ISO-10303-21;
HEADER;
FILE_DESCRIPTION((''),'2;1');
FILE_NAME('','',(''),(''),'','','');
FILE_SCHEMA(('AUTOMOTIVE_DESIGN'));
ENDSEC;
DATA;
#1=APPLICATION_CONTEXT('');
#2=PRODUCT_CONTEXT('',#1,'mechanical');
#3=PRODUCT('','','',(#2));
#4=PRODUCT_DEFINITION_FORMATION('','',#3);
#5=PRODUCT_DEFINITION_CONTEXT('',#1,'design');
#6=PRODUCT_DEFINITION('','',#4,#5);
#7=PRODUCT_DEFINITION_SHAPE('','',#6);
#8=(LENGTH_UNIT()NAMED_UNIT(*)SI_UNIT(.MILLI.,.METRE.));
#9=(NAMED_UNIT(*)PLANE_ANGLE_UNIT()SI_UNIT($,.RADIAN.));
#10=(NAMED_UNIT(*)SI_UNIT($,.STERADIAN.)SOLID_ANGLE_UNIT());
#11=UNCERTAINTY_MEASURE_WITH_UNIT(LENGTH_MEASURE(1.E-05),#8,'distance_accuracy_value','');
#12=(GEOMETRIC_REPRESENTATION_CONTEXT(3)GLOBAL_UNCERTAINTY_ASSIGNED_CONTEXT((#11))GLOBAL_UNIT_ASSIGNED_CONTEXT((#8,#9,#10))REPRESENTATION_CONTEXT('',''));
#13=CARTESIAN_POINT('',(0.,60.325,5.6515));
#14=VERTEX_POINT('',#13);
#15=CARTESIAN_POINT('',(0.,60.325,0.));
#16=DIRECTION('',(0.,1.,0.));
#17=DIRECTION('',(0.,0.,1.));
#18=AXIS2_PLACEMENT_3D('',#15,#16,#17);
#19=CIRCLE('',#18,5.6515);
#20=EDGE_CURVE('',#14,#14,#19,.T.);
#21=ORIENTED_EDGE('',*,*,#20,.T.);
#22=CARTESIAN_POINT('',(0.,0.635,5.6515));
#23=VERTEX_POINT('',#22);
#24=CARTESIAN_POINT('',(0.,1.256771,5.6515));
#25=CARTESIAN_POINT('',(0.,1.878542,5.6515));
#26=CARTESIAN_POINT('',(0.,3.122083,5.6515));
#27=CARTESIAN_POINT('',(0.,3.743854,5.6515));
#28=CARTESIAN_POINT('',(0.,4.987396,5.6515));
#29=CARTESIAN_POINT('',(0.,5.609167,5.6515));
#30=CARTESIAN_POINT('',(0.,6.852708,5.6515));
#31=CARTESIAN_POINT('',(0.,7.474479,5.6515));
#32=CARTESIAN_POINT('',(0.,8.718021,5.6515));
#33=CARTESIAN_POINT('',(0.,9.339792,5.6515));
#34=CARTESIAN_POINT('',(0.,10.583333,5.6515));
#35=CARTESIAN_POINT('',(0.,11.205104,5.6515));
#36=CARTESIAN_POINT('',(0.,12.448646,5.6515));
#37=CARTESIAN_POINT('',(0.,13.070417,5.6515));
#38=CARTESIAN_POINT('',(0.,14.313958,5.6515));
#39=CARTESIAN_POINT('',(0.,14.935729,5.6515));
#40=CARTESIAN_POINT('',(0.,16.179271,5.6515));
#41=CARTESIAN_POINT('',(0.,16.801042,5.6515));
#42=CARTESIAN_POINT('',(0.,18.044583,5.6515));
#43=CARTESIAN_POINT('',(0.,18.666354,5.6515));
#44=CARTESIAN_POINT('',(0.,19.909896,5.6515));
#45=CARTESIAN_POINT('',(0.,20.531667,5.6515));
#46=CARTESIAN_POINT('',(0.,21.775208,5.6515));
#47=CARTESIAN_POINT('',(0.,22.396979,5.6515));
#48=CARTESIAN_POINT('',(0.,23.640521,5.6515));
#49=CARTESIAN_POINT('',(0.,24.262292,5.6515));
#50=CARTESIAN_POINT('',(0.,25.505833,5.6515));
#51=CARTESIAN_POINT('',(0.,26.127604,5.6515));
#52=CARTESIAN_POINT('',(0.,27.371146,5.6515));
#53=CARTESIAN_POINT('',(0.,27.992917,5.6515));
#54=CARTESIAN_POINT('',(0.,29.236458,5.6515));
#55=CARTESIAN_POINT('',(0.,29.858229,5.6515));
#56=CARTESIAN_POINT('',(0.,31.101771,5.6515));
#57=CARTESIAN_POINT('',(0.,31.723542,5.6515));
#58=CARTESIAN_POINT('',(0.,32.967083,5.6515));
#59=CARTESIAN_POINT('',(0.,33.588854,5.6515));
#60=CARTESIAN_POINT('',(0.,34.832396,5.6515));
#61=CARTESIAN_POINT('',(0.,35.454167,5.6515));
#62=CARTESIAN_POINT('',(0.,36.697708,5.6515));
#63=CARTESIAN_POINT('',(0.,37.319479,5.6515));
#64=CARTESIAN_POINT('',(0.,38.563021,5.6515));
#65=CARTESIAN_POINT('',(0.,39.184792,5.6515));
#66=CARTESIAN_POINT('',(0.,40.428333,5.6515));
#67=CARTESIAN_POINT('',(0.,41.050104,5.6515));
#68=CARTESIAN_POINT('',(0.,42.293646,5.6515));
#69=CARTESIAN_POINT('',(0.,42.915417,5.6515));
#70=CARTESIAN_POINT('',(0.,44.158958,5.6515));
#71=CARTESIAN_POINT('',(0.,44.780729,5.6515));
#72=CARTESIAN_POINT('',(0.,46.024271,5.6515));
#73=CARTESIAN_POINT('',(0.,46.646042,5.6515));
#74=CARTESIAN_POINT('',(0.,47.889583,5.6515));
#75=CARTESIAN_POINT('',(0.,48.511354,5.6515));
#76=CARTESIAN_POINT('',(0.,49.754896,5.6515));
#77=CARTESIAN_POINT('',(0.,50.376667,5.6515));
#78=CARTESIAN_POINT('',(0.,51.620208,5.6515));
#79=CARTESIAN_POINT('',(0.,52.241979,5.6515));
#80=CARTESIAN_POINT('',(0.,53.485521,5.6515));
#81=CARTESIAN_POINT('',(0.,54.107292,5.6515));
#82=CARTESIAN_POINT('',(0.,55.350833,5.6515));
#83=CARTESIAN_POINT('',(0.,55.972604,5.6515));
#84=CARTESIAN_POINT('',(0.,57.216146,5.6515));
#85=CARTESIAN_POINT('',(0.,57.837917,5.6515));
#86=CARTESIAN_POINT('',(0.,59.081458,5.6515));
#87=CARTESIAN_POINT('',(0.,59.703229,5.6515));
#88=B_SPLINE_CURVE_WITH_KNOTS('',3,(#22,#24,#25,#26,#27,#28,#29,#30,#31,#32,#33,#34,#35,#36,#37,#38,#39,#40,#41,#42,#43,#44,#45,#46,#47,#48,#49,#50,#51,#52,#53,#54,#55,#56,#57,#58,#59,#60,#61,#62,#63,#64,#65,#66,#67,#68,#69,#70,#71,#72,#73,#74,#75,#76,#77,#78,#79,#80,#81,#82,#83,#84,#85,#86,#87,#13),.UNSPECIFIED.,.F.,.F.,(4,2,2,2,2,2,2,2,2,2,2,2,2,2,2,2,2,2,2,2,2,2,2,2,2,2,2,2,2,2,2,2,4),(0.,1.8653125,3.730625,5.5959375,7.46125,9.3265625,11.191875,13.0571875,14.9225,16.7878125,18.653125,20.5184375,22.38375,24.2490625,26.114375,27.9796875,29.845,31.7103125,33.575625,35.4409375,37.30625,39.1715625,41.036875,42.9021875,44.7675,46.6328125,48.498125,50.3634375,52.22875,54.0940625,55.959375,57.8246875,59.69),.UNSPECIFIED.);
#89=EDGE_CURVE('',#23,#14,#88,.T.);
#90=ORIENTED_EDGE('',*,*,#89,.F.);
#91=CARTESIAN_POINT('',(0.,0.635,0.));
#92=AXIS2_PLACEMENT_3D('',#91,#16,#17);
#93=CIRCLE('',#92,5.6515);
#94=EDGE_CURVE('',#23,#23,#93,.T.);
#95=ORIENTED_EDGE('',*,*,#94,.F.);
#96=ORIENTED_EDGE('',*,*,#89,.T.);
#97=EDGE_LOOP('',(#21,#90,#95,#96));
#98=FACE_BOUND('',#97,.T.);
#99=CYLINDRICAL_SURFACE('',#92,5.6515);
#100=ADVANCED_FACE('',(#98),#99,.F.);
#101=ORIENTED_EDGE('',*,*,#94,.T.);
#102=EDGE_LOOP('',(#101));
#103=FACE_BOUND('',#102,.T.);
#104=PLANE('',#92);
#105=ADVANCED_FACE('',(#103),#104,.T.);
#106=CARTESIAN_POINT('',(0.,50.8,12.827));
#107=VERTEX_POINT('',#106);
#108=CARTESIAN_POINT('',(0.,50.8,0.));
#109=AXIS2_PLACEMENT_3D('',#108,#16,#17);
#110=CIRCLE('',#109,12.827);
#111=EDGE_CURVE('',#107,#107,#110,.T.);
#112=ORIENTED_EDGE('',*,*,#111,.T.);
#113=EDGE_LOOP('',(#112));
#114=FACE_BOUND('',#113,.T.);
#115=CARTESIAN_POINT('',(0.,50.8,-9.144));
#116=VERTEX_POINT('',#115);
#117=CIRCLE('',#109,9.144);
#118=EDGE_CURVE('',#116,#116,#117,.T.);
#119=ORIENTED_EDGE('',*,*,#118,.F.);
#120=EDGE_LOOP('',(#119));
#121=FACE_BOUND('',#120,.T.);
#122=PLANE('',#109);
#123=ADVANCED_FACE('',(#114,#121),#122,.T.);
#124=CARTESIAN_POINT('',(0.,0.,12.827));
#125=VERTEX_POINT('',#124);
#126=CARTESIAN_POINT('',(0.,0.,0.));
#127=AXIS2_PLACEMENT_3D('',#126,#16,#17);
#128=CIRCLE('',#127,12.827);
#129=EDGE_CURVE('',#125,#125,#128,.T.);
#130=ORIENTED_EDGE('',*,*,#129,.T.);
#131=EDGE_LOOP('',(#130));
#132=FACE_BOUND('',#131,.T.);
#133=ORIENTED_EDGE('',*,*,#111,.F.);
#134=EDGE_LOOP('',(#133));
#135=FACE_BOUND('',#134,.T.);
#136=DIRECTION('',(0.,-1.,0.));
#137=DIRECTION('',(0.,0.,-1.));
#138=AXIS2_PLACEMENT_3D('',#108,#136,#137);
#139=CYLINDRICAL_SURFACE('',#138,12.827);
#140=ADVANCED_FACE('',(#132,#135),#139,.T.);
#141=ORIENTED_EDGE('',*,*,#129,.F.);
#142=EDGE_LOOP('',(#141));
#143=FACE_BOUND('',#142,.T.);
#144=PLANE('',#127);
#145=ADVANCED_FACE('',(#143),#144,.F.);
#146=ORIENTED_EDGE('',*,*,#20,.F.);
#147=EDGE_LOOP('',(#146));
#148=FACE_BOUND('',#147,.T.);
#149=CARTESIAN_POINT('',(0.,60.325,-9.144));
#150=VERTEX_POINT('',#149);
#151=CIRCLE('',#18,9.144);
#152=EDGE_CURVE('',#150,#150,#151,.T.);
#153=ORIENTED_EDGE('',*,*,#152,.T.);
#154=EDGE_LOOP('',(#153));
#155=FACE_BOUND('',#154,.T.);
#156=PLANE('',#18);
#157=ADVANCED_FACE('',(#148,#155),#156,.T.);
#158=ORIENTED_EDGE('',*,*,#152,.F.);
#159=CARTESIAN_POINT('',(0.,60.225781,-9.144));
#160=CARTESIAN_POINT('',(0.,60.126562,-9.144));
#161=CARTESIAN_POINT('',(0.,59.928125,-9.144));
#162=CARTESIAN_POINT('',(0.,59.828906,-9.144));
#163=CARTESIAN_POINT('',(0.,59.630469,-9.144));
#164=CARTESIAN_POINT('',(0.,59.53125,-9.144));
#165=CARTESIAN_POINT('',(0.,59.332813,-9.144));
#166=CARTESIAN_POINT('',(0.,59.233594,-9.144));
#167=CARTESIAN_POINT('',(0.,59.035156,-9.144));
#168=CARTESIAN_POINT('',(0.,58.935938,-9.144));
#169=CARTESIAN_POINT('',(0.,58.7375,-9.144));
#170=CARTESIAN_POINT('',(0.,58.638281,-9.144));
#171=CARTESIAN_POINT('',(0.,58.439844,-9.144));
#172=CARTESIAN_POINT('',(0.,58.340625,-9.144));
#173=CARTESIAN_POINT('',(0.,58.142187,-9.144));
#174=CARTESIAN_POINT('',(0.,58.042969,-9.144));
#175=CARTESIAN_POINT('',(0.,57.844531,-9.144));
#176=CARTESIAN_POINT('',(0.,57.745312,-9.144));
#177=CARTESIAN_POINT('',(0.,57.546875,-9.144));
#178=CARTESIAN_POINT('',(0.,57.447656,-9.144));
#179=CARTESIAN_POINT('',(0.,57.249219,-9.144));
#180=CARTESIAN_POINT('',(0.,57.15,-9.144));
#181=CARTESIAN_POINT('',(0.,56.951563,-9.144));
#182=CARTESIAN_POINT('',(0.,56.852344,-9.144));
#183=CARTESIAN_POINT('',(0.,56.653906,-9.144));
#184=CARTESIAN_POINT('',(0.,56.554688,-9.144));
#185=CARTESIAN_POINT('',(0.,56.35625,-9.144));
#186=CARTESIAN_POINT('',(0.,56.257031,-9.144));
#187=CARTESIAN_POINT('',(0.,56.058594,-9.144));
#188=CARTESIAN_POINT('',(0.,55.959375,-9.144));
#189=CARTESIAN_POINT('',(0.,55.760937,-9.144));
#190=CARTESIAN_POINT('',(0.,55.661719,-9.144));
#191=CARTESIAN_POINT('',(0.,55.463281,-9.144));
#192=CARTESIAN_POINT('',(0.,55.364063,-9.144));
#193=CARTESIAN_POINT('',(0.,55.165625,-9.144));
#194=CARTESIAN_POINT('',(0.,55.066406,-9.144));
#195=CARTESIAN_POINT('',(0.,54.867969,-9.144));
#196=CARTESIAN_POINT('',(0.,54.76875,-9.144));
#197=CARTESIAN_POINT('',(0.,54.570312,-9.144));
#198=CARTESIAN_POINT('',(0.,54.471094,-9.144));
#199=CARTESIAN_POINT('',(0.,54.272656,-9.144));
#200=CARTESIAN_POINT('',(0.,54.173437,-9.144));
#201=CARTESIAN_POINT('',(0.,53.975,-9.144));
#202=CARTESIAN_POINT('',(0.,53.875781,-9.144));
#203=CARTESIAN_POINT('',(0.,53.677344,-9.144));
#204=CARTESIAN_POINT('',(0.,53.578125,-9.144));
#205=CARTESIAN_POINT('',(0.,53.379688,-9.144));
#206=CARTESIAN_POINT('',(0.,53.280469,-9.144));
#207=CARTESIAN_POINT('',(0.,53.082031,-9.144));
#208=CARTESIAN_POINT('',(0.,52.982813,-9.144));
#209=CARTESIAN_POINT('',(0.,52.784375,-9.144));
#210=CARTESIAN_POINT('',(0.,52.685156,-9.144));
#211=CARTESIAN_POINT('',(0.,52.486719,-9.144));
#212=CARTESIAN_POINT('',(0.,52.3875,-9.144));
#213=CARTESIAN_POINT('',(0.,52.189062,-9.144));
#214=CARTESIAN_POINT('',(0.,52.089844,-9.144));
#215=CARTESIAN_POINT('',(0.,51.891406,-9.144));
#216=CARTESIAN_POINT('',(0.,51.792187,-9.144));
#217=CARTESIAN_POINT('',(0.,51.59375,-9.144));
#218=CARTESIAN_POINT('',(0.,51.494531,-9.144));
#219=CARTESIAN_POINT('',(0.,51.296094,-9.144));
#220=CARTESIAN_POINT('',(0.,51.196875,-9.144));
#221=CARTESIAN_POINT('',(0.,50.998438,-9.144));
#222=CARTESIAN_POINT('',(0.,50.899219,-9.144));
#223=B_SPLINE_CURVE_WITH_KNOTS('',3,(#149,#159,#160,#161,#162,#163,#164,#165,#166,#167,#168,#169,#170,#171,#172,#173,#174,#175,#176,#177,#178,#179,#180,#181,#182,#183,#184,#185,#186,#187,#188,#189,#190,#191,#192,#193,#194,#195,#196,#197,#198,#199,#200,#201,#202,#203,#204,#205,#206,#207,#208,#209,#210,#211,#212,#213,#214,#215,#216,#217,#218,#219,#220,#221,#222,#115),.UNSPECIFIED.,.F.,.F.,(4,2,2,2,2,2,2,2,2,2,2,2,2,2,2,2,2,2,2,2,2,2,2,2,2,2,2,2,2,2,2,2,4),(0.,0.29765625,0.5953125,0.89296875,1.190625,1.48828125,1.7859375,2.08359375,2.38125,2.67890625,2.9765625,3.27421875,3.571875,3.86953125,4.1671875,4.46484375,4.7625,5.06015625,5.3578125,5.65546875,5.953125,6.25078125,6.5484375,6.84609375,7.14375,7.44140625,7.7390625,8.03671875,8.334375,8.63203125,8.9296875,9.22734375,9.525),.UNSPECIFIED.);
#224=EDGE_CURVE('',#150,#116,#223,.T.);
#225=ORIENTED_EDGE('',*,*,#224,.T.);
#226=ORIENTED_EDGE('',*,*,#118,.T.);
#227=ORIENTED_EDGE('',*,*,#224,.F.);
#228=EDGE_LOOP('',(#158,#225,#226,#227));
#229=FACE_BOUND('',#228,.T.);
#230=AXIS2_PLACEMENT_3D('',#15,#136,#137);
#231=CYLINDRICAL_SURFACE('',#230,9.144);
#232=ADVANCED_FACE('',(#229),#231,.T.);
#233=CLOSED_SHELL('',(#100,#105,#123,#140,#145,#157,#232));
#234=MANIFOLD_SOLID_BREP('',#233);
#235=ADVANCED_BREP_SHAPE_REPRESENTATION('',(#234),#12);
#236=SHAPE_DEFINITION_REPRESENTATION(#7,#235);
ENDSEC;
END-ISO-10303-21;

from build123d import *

# Parameters (mm, degrees)
SKETCH1_R           = 12.827
BOSS_EXTRUDE1_DEPTH = 50.8
SKETCH2_R           = 9.144
BOSS_EXTRUDE2_DEPTH = 9.525
SKETCH3_R           = 5.6515
CUT_EXTRUDE1_DEPTH  = 59.69


with BuildPart() as part:
    # Sketch1 → Boss-Extrude1 (new body)
    with BuildSketch(Plane(origin=(0, 0, 0), x_dir=(1, 0, 0), z_dir=(0, 1, 0))):
        with Locations(Location((0, 0, 0), (0, 0, 270))):
            Circle(SKETCH1_R)
    extrude(amount=BOSS_EXTRUDE1_DEPTH)

    # Sketch2 → Boss-Extrude2 (add)
    with BuildSketch(Plane(origin=(0, 50.8, 0), x_dir=(1, 0, 0), z_dir=(0, 1, 0))):
        with Locations(Location((0, 0, 0), (0, 0, 90))):
            Circle(SKETCH2_R)
    extrude(amount=BOSS_EXTRUDE2_DEPTH)

    # Sketch3 → Cut-Extrude1 (cut)
    with BuildSketch(Plane(origin=(0, 60.325, 0), x_dir=(1, 0, 0), z_dir=(0, 1, 0))):
        with Locations(Location((0, 0, 0), (0, 0, 270))):
            Circle(SKETCH3_R)
    extrude(amount=-CUT_EXTRUDE1_DEPTH, mode=Mode.SUBTRACT)


solid = part.part
